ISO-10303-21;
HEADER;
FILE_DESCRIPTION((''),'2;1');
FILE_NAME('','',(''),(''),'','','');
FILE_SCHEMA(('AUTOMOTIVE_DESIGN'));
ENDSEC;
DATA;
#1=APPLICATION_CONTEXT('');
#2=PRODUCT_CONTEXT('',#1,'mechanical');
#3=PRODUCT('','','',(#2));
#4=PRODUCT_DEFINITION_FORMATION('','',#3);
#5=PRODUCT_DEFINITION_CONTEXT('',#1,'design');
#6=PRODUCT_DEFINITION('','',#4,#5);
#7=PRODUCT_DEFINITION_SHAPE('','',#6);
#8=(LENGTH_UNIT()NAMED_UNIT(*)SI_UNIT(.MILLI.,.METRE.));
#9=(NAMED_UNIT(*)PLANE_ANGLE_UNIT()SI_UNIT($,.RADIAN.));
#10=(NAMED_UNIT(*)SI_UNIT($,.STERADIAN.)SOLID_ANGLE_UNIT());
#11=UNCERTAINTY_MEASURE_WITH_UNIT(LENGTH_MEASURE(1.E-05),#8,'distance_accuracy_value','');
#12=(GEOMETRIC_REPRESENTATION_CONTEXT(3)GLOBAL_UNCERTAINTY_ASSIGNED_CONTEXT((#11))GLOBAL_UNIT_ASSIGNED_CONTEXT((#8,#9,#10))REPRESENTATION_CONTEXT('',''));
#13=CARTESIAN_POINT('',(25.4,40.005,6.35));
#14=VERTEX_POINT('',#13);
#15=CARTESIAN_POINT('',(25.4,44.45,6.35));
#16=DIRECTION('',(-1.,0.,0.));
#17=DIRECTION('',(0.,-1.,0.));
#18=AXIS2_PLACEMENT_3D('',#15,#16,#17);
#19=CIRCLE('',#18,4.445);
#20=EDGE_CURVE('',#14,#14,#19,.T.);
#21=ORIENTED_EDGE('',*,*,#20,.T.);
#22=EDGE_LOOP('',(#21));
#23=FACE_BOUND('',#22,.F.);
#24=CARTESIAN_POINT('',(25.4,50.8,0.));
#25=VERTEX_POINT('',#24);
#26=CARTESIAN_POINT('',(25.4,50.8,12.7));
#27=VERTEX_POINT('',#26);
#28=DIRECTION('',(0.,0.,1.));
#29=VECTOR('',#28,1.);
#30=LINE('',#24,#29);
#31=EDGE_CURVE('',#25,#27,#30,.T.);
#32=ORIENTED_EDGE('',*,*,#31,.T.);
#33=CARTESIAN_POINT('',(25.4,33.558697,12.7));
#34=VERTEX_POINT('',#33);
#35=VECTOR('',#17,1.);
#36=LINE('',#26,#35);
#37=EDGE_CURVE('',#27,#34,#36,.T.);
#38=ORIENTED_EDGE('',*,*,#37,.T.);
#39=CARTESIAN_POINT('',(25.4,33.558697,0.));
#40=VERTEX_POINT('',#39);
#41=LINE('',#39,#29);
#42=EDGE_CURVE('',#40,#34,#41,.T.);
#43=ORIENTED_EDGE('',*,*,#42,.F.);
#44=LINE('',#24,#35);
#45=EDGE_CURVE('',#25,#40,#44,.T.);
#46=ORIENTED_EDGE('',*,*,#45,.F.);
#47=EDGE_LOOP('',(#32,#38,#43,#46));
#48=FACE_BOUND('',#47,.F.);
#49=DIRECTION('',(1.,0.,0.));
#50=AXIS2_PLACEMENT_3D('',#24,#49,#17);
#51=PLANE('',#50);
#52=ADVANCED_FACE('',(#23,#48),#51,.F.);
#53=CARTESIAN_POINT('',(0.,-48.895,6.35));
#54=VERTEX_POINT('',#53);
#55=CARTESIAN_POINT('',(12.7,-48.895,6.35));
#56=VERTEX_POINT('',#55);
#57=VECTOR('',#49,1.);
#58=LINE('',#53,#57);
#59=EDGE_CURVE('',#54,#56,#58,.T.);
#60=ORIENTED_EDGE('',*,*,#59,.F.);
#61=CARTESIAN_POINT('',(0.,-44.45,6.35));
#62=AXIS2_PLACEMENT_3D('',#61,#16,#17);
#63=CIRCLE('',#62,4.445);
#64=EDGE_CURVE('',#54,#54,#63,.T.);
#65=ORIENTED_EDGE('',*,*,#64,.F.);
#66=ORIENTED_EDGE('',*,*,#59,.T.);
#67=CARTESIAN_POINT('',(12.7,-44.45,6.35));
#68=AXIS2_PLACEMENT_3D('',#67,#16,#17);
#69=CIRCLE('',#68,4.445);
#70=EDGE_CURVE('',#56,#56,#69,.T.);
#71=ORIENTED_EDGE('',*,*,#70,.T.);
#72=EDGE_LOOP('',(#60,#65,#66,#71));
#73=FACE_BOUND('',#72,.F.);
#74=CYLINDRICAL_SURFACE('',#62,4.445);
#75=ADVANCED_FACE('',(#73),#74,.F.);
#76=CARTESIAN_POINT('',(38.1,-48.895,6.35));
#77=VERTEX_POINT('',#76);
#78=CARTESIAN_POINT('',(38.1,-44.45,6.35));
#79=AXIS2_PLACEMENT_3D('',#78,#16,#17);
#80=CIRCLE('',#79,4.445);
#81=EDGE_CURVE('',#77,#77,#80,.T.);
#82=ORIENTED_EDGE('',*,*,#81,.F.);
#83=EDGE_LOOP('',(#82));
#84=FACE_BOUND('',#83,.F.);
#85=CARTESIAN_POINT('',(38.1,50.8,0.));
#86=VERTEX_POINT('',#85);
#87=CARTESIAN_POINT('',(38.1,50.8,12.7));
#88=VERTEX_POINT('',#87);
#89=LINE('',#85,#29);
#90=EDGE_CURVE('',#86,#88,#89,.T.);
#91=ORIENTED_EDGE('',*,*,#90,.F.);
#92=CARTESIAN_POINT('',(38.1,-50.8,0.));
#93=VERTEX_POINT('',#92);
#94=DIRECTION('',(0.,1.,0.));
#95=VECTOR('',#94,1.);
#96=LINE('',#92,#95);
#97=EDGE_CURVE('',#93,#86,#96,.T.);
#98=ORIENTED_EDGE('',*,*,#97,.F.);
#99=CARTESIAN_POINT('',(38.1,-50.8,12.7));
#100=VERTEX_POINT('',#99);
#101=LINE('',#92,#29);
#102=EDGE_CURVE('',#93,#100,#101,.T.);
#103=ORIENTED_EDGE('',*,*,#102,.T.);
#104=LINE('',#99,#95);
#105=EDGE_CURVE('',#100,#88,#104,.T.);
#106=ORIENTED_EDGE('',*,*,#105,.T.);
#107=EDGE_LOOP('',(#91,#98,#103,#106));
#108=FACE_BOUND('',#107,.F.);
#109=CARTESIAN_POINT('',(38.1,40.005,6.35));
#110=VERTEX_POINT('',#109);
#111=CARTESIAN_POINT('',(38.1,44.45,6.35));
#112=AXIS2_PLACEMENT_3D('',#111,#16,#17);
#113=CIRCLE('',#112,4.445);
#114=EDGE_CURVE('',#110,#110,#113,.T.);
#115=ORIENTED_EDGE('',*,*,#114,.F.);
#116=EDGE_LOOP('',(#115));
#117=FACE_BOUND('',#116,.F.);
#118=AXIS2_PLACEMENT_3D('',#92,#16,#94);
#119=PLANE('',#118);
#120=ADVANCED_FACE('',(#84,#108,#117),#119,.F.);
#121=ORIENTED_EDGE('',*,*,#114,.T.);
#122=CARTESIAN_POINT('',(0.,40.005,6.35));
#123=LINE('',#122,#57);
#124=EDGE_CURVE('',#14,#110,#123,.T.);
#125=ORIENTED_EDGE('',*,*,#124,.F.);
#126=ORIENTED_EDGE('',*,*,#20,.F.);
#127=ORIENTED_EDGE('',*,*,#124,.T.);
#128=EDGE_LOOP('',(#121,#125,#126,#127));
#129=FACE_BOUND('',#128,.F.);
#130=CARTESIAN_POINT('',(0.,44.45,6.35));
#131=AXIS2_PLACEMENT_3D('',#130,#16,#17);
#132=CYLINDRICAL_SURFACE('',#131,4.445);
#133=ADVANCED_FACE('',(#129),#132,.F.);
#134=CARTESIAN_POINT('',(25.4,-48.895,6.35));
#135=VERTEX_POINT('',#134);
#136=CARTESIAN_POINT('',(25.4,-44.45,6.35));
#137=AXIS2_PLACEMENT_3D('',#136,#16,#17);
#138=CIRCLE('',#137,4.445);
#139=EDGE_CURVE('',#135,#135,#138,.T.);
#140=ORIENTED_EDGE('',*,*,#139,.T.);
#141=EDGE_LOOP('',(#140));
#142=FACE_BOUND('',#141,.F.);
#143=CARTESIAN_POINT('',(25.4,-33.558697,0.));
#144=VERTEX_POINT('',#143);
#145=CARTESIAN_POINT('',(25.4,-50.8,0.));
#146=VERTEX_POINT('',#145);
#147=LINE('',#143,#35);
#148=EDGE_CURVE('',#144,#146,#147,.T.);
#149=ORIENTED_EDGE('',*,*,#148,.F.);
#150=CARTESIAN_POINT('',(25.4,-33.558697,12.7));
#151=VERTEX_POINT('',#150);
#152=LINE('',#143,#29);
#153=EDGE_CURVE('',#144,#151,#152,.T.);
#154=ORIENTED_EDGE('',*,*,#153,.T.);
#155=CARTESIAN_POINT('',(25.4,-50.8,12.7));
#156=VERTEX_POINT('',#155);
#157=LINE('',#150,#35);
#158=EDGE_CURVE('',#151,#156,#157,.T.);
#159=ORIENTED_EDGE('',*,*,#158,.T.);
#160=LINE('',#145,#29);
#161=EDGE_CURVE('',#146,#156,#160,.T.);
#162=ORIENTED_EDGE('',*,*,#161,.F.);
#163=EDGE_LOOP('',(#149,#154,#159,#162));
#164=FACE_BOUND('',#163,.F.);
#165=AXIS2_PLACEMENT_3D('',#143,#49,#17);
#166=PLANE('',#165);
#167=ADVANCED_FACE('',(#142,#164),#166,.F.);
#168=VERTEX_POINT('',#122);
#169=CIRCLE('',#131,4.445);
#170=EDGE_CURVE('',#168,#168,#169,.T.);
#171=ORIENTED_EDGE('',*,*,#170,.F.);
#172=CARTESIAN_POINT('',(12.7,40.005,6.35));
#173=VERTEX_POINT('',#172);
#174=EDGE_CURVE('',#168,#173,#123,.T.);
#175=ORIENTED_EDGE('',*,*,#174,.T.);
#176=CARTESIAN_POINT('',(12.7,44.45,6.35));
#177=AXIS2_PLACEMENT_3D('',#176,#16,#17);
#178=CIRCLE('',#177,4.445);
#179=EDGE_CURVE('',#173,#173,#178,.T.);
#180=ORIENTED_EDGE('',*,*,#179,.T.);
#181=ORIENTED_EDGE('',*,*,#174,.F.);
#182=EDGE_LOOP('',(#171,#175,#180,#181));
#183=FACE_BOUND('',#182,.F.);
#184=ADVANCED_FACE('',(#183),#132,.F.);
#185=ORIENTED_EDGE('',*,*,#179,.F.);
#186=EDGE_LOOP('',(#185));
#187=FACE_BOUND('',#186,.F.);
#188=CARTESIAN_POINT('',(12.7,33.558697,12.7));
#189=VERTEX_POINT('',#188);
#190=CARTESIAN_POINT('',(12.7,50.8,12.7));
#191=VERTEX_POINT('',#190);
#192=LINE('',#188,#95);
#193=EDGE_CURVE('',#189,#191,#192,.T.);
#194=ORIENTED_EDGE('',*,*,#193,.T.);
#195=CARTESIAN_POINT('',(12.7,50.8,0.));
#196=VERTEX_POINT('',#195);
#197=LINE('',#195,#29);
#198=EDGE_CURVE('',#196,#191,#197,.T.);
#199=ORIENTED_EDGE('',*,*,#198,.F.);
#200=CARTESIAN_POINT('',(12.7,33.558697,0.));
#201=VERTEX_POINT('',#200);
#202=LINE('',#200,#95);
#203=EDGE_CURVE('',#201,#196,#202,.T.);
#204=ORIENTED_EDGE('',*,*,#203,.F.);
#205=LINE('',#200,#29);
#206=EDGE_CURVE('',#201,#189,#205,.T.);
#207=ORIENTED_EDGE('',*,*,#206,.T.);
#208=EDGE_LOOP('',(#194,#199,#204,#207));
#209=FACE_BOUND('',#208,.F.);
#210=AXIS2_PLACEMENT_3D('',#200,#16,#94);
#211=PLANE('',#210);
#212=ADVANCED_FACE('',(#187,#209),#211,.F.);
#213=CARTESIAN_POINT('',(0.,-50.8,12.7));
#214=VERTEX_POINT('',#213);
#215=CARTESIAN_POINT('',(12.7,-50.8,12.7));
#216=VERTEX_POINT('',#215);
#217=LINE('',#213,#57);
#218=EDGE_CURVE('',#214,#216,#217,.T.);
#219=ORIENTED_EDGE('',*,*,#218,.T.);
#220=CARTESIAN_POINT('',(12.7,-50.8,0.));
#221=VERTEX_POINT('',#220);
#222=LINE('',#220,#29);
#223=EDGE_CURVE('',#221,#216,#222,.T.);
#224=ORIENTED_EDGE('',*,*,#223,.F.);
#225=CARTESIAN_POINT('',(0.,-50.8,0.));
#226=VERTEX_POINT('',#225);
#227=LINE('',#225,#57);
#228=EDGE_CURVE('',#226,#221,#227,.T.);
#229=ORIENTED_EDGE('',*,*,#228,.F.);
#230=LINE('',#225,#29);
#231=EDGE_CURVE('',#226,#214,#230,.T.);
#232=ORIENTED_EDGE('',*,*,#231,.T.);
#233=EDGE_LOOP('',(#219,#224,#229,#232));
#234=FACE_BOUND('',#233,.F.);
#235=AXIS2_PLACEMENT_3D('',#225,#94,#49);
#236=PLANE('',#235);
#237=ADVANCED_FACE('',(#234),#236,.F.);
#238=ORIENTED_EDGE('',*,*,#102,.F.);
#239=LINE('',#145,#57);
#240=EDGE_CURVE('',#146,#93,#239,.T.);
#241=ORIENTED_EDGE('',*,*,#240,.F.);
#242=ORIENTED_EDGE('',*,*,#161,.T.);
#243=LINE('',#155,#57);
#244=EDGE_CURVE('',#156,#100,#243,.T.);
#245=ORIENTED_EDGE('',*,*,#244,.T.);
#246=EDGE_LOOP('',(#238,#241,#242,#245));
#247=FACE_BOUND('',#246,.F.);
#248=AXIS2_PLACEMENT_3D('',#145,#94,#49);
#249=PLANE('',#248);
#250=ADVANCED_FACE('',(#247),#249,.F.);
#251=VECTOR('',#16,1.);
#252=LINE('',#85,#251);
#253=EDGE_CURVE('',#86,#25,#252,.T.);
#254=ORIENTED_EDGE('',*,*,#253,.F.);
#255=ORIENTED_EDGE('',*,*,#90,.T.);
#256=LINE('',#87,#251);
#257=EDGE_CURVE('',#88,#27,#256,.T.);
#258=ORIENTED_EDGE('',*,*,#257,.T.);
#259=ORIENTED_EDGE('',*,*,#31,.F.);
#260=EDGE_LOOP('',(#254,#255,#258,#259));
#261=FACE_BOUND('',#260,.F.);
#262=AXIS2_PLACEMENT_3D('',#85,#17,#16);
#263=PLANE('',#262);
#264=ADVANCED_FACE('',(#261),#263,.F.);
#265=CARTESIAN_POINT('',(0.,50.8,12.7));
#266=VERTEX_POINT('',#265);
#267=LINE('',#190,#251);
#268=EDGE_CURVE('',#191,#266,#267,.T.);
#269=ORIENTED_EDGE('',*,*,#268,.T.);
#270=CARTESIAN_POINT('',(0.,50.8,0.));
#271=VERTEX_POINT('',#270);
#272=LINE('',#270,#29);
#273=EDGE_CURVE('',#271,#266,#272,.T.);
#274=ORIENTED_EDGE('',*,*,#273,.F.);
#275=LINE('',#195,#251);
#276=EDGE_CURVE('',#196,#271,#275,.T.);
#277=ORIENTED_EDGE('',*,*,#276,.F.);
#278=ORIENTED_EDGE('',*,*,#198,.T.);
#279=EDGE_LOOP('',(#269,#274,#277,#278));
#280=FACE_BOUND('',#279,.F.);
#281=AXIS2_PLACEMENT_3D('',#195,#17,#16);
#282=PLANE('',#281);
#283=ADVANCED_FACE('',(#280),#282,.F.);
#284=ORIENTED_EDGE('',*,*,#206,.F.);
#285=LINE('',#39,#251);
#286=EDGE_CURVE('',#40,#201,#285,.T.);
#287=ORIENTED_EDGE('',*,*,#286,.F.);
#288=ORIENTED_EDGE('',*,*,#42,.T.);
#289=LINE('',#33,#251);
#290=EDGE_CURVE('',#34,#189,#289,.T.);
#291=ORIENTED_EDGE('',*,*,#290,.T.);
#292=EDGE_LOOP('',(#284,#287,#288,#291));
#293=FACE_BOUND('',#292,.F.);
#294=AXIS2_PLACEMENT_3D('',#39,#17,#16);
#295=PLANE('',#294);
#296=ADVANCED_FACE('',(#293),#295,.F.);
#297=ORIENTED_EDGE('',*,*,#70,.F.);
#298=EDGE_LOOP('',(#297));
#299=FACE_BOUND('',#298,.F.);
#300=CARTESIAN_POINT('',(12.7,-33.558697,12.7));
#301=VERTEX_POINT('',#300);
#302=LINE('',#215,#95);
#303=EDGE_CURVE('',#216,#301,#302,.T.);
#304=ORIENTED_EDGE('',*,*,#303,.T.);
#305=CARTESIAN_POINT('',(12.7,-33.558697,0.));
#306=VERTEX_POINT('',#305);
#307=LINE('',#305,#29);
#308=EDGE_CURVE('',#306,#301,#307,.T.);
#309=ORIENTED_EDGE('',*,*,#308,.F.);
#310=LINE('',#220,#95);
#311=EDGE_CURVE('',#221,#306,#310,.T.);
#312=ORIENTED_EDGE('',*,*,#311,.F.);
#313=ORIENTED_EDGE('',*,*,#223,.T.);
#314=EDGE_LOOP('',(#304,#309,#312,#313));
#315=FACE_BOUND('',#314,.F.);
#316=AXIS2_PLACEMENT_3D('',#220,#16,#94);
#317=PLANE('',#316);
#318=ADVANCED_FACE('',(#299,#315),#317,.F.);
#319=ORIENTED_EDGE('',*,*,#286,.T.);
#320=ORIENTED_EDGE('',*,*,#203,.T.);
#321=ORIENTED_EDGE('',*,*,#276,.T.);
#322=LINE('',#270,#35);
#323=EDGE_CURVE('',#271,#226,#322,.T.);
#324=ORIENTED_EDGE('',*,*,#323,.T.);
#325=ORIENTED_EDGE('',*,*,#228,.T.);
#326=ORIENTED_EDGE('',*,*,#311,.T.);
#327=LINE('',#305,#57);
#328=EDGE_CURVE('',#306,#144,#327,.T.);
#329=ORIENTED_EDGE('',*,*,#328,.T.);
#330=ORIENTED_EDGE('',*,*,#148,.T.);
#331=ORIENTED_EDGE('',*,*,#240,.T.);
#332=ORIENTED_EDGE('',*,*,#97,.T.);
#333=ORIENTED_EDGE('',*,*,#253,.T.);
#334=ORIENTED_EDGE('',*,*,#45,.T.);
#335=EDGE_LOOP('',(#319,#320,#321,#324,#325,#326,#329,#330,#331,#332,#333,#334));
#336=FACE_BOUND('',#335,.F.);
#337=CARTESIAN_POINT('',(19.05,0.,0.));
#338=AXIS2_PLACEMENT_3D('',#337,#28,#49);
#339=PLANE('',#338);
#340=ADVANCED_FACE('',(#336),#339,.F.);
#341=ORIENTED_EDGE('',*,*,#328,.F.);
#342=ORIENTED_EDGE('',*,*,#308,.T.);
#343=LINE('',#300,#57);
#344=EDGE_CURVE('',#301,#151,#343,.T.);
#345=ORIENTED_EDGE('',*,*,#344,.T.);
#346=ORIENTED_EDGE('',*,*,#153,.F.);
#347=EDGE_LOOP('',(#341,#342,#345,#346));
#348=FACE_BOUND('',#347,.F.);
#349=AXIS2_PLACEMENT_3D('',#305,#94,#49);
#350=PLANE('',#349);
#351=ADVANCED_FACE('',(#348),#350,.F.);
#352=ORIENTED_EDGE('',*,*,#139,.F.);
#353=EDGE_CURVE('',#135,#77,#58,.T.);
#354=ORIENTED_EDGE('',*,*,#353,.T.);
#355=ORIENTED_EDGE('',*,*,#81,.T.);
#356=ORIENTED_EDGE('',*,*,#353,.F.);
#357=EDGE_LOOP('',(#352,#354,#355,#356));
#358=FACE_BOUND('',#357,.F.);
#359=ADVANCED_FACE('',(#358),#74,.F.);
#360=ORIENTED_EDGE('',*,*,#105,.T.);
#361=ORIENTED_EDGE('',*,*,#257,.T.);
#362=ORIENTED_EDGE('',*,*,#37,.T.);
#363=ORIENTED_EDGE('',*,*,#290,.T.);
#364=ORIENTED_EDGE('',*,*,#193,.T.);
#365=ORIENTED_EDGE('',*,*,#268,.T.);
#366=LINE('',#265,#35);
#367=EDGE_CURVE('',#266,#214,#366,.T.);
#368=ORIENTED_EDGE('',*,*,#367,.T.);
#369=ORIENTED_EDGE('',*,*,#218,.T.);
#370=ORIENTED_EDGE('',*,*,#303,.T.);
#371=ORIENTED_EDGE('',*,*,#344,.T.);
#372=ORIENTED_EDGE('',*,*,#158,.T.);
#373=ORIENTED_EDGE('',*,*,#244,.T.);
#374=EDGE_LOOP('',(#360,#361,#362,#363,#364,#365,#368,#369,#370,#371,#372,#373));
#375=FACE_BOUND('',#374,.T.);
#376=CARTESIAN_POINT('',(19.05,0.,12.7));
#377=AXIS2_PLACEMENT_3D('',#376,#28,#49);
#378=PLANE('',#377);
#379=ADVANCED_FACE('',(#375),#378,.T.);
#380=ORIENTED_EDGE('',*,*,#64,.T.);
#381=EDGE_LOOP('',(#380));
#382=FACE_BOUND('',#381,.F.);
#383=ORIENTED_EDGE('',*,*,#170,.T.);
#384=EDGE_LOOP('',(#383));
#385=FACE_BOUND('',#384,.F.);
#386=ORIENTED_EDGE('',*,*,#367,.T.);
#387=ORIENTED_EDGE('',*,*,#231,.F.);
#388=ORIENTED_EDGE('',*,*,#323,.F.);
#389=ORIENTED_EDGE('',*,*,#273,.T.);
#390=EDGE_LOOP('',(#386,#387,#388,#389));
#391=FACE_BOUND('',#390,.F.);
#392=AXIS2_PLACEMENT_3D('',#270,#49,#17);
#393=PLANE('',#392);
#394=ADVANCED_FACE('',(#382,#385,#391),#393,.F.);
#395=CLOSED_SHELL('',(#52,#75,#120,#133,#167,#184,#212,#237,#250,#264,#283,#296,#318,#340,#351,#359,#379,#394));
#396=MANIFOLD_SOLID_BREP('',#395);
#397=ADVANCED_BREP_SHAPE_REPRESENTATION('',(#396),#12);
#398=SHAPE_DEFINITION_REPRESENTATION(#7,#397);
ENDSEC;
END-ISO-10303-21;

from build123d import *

# Parameters (mm, degrees)
F1_DEPTH = 12.7
F2_R     = 4.445
F3_DEPTH = 38.1


with BuildPart() as f1:
    # F0 (on Top) → F1 (new body)
    with BuildSketch(Plane.XY):
        Polygon((12.7, 50.8), (0, 50.8), (0, -50.8), (12.7, -50.8), (12.7, -33.558697), (25.4, -33.558697), (25.4, -50.8), (38.1, -50.8), (38.1, 50.8), (25.4, 50.8), (25.4, 33.558697), (12.7, 33.558697), align=None)
    extrude(amount=F1_DEPTH)

    # F2 (on face) → F3 (cut, through all)
    with BuildSketch(Plane(origin=(0, 0, 0), x_dir=(0, -1, 0), z_dir=(-1, 0, 0))):
        with Locations((-44.45, 6.35)):
            Circle(F2_R)
        with Locations((44.45, 6.35)):
            Circle(F2_R)
    extrude(amount=-F3_DEPTH, mode=Mode.SUBTRACT)


solid = f1.part
